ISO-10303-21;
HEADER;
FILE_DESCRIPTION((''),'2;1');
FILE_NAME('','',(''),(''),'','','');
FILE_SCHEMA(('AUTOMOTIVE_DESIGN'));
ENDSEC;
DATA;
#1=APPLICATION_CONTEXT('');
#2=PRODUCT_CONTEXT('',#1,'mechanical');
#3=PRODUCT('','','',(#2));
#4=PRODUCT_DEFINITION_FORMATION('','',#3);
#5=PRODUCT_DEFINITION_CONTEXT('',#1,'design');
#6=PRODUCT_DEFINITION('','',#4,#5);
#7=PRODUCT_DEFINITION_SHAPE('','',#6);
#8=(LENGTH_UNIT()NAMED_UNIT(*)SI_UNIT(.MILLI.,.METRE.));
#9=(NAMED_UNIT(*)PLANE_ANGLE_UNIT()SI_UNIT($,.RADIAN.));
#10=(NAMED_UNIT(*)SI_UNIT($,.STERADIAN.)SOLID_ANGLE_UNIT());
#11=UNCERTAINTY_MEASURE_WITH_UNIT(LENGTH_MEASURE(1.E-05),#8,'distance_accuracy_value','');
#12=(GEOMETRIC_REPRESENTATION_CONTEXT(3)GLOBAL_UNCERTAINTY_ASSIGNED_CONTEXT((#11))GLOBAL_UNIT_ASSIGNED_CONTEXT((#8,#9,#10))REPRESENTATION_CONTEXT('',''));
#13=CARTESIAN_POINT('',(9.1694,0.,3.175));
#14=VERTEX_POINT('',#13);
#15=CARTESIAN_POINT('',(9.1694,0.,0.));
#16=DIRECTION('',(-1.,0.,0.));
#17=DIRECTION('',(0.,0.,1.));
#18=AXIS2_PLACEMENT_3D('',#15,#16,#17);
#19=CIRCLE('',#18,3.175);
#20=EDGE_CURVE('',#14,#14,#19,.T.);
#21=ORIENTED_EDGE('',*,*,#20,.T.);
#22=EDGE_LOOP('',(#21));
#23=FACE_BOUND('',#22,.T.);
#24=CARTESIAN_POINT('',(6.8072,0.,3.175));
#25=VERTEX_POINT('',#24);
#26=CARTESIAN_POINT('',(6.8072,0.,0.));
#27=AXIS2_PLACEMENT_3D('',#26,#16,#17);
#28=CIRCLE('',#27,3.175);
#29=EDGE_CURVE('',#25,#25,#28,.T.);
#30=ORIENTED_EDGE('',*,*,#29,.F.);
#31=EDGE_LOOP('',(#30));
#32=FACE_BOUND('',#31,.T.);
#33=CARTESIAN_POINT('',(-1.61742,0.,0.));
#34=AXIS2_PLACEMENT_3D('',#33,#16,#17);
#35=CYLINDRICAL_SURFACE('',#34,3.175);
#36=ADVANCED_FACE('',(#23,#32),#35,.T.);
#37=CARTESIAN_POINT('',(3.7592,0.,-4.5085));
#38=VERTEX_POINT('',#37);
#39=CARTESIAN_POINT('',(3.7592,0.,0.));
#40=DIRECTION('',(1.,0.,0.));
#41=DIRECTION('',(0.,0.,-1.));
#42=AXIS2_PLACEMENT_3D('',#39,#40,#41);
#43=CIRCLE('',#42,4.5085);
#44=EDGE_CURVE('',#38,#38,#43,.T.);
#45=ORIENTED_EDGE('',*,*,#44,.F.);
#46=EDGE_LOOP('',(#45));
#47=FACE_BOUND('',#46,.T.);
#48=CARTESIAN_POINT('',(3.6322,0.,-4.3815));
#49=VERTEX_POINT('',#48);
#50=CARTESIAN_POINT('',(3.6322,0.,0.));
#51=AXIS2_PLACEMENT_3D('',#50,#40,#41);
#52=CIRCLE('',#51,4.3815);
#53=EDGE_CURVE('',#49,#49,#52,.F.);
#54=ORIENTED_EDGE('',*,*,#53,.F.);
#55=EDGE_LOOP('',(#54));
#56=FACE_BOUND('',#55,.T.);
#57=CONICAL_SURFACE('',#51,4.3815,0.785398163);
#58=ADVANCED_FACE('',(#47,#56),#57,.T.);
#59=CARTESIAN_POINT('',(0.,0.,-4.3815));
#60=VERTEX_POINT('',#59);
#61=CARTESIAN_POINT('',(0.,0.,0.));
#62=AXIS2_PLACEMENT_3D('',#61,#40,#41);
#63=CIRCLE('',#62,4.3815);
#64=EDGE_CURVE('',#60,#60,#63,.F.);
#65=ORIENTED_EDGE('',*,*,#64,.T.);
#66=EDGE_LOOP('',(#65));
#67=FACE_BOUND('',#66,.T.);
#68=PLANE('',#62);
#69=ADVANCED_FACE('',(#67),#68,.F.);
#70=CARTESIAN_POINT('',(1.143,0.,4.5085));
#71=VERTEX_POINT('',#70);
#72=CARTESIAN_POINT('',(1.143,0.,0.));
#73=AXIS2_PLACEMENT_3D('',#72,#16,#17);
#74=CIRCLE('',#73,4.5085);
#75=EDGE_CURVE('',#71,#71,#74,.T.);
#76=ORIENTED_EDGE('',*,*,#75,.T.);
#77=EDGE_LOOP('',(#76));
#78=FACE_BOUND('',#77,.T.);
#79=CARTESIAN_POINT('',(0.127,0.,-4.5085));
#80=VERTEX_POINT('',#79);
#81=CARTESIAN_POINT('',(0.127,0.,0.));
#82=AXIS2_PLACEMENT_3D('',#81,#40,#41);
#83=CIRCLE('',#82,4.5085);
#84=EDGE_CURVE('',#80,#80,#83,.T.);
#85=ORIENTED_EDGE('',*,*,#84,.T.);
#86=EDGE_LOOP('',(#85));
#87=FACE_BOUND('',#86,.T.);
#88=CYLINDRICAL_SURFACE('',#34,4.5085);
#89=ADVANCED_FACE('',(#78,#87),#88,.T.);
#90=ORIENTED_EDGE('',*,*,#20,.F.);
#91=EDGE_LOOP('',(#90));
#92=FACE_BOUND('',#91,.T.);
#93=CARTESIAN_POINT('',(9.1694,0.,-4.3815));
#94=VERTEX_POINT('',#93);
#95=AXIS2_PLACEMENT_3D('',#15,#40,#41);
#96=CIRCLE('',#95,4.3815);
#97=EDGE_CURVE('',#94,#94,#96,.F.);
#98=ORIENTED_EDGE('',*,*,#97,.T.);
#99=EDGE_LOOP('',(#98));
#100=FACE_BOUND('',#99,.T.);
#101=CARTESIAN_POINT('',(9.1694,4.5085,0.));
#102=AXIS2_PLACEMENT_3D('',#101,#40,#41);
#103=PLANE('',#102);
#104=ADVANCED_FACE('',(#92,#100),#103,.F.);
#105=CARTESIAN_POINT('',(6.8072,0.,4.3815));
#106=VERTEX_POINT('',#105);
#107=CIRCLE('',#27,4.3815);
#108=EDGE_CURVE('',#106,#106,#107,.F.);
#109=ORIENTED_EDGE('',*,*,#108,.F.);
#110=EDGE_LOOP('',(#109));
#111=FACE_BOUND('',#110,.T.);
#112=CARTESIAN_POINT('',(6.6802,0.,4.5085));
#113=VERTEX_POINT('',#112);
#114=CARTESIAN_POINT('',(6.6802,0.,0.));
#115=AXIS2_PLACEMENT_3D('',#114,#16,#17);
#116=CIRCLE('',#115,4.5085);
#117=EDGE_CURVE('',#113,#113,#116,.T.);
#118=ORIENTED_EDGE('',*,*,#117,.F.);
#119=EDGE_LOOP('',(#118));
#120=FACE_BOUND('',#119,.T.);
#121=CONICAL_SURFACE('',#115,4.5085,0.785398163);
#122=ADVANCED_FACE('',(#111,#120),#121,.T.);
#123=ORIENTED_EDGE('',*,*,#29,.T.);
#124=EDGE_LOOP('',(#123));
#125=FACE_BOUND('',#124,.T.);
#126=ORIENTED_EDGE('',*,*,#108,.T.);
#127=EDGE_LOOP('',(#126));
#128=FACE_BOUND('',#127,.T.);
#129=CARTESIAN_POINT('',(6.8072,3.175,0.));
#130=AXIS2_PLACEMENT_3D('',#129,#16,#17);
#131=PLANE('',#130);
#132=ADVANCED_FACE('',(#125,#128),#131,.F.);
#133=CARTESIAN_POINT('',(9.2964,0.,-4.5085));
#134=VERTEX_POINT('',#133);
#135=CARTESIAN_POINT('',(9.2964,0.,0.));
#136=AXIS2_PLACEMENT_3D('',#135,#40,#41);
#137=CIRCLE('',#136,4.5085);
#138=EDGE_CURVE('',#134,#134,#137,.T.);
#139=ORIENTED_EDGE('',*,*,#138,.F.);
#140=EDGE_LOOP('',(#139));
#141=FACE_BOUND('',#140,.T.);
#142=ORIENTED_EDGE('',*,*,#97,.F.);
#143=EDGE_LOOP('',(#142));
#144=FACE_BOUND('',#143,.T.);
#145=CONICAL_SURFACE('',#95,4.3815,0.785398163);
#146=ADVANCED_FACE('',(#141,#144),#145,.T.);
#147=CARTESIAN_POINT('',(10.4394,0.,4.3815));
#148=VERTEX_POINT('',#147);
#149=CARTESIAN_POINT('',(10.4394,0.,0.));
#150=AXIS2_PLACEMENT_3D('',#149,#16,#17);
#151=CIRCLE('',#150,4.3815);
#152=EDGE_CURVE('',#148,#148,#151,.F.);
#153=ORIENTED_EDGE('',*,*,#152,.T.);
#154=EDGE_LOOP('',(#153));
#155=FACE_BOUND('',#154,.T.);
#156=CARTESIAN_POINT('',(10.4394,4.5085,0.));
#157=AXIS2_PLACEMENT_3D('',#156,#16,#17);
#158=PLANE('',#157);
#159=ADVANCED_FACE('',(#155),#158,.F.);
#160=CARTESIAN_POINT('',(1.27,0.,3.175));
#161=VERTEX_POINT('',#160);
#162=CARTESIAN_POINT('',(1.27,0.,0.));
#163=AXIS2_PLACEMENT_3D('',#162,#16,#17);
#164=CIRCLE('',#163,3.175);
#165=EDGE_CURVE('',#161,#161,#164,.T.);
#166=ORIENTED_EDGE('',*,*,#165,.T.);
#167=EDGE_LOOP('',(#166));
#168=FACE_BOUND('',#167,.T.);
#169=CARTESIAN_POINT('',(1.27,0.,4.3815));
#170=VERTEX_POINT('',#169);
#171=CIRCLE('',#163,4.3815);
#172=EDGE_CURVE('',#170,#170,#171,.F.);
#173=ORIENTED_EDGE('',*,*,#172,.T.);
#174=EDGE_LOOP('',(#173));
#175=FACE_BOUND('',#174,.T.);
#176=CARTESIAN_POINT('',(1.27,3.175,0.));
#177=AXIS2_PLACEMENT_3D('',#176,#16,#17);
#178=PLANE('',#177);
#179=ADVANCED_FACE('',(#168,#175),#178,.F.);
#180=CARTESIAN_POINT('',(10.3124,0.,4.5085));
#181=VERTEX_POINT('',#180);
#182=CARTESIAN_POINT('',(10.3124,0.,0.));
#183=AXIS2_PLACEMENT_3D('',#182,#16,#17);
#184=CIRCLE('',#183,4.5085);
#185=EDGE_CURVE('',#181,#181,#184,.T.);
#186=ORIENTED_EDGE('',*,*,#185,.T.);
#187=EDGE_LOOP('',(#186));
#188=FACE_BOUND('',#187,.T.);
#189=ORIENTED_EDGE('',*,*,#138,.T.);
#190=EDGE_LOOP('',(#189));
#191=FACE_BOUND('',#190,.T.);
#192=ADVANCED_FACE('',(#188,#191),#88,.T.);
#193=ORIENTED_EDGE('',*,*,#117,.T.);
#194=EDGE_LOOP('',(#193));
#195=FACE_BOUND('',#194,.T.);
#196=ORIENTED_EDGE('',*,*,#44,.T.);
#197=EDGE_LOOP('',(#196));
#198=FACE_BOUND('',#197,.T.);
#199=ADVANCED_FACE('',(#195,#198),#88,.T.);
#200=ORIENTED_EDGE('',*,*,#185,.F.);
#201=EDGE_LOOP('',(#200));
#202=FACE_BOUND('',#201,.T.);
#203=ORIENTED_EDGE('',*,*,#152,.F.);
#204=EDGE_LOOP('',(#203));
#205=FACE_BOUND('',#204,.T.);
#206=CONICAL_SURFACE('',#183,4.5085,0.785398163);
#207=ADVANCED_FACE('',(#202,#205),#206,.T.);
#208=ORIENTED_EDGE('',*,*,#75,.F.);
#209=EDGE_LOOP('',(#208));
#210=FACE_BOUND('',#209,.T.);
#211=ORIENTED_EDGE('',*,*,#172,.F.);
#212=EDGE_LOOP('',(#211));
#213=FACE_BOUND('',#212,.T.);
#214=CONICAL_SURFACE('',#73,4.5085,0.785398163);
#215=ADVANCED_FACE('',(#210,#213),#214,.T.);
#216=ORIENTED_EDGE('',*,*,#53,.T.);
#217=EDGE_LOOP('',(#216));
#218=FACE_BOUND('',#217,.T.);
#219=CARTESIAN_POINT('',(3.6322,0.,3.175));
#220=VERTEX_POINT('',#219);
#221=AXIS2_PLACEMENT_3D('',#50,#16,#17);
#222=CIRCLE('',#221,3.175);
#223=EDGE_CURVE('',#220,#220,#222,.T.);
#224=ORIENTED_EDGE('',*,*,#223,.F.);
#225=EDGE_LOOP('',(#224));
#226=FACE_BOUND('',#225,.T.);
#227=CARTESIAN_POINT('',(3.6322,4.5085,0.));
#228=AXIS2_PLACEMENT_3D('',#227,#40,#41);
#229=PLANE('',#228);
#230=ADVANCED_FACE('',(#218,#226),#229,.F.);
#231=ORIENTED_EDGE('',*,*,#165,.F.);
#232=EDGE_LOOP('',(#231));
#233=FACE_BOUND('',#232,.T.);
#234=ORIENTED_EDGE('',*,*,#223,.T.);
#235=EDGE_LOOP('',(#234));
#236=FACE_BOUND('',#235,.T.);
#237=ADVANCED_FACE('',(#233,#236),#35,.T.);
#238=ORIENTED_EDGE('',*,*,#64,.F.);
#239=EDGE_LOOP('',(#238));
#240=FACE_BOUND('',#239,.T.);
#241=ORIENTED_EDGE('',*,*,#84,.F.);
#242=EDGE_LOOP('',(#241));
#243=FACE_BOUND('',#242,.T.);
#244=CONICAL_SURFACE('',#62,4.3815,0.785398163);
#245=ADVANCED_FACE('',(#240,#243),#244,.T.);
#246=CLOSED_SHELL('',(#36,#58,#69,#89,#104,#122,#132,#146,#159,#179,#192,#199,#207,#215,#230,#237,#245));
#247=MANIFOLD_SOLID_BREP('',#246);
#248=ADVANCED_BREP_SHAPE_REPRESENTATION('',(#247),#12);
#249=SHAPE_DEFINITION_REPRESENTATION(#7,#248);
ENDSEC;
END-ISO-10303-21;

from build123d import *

# Parameters (mm, degrees)
VENT_EDGE_BREAK_SIZE = 0.127


with BuildPart() as part:
    # Sketch2 → Revolve1 (revolve)
    with BuildSketch(Plane.XY, mode=Mode.PRIVATE) as revolve1_sk:
        Polygon((3.6322, 4.5085), (3.6322, 3.175), (1.27, 3.175), (1.27, 4.5085), (0, 4.5085), (0, 0), (10.4394, 0), (10.4394, 4.5085), (9.1694, 4.5085), (9.1694, 3.175), (6.8072, 3.175), (6.8072, 4.5085), align=None)
    revolve(revolve1_sk.sketch.rotate(Axis((-1.617419624, 0, 0), (1, 0, 0)), 90), axis=Axis((-1.617419624, 0, 0), (1, 0, 0)))

    # vent-edge-break
    vent_edge_break_edges = [part.edges().sort_by_distance(p)[0] for p in [
        (3.6322, 0, -4.5085),
        (6.8072, 0, -4.5085),
        (9.1694, 0, -4.5085),
        (10.4394, 0, -4.5085),
        (0, 0, -4.5085),
        (1.27, 0, -4.5085),
    ]]
    chamfer(vent_edge_break_edges, length=VENT_EDGE_BREAK_SIZE)


solid = part.part
